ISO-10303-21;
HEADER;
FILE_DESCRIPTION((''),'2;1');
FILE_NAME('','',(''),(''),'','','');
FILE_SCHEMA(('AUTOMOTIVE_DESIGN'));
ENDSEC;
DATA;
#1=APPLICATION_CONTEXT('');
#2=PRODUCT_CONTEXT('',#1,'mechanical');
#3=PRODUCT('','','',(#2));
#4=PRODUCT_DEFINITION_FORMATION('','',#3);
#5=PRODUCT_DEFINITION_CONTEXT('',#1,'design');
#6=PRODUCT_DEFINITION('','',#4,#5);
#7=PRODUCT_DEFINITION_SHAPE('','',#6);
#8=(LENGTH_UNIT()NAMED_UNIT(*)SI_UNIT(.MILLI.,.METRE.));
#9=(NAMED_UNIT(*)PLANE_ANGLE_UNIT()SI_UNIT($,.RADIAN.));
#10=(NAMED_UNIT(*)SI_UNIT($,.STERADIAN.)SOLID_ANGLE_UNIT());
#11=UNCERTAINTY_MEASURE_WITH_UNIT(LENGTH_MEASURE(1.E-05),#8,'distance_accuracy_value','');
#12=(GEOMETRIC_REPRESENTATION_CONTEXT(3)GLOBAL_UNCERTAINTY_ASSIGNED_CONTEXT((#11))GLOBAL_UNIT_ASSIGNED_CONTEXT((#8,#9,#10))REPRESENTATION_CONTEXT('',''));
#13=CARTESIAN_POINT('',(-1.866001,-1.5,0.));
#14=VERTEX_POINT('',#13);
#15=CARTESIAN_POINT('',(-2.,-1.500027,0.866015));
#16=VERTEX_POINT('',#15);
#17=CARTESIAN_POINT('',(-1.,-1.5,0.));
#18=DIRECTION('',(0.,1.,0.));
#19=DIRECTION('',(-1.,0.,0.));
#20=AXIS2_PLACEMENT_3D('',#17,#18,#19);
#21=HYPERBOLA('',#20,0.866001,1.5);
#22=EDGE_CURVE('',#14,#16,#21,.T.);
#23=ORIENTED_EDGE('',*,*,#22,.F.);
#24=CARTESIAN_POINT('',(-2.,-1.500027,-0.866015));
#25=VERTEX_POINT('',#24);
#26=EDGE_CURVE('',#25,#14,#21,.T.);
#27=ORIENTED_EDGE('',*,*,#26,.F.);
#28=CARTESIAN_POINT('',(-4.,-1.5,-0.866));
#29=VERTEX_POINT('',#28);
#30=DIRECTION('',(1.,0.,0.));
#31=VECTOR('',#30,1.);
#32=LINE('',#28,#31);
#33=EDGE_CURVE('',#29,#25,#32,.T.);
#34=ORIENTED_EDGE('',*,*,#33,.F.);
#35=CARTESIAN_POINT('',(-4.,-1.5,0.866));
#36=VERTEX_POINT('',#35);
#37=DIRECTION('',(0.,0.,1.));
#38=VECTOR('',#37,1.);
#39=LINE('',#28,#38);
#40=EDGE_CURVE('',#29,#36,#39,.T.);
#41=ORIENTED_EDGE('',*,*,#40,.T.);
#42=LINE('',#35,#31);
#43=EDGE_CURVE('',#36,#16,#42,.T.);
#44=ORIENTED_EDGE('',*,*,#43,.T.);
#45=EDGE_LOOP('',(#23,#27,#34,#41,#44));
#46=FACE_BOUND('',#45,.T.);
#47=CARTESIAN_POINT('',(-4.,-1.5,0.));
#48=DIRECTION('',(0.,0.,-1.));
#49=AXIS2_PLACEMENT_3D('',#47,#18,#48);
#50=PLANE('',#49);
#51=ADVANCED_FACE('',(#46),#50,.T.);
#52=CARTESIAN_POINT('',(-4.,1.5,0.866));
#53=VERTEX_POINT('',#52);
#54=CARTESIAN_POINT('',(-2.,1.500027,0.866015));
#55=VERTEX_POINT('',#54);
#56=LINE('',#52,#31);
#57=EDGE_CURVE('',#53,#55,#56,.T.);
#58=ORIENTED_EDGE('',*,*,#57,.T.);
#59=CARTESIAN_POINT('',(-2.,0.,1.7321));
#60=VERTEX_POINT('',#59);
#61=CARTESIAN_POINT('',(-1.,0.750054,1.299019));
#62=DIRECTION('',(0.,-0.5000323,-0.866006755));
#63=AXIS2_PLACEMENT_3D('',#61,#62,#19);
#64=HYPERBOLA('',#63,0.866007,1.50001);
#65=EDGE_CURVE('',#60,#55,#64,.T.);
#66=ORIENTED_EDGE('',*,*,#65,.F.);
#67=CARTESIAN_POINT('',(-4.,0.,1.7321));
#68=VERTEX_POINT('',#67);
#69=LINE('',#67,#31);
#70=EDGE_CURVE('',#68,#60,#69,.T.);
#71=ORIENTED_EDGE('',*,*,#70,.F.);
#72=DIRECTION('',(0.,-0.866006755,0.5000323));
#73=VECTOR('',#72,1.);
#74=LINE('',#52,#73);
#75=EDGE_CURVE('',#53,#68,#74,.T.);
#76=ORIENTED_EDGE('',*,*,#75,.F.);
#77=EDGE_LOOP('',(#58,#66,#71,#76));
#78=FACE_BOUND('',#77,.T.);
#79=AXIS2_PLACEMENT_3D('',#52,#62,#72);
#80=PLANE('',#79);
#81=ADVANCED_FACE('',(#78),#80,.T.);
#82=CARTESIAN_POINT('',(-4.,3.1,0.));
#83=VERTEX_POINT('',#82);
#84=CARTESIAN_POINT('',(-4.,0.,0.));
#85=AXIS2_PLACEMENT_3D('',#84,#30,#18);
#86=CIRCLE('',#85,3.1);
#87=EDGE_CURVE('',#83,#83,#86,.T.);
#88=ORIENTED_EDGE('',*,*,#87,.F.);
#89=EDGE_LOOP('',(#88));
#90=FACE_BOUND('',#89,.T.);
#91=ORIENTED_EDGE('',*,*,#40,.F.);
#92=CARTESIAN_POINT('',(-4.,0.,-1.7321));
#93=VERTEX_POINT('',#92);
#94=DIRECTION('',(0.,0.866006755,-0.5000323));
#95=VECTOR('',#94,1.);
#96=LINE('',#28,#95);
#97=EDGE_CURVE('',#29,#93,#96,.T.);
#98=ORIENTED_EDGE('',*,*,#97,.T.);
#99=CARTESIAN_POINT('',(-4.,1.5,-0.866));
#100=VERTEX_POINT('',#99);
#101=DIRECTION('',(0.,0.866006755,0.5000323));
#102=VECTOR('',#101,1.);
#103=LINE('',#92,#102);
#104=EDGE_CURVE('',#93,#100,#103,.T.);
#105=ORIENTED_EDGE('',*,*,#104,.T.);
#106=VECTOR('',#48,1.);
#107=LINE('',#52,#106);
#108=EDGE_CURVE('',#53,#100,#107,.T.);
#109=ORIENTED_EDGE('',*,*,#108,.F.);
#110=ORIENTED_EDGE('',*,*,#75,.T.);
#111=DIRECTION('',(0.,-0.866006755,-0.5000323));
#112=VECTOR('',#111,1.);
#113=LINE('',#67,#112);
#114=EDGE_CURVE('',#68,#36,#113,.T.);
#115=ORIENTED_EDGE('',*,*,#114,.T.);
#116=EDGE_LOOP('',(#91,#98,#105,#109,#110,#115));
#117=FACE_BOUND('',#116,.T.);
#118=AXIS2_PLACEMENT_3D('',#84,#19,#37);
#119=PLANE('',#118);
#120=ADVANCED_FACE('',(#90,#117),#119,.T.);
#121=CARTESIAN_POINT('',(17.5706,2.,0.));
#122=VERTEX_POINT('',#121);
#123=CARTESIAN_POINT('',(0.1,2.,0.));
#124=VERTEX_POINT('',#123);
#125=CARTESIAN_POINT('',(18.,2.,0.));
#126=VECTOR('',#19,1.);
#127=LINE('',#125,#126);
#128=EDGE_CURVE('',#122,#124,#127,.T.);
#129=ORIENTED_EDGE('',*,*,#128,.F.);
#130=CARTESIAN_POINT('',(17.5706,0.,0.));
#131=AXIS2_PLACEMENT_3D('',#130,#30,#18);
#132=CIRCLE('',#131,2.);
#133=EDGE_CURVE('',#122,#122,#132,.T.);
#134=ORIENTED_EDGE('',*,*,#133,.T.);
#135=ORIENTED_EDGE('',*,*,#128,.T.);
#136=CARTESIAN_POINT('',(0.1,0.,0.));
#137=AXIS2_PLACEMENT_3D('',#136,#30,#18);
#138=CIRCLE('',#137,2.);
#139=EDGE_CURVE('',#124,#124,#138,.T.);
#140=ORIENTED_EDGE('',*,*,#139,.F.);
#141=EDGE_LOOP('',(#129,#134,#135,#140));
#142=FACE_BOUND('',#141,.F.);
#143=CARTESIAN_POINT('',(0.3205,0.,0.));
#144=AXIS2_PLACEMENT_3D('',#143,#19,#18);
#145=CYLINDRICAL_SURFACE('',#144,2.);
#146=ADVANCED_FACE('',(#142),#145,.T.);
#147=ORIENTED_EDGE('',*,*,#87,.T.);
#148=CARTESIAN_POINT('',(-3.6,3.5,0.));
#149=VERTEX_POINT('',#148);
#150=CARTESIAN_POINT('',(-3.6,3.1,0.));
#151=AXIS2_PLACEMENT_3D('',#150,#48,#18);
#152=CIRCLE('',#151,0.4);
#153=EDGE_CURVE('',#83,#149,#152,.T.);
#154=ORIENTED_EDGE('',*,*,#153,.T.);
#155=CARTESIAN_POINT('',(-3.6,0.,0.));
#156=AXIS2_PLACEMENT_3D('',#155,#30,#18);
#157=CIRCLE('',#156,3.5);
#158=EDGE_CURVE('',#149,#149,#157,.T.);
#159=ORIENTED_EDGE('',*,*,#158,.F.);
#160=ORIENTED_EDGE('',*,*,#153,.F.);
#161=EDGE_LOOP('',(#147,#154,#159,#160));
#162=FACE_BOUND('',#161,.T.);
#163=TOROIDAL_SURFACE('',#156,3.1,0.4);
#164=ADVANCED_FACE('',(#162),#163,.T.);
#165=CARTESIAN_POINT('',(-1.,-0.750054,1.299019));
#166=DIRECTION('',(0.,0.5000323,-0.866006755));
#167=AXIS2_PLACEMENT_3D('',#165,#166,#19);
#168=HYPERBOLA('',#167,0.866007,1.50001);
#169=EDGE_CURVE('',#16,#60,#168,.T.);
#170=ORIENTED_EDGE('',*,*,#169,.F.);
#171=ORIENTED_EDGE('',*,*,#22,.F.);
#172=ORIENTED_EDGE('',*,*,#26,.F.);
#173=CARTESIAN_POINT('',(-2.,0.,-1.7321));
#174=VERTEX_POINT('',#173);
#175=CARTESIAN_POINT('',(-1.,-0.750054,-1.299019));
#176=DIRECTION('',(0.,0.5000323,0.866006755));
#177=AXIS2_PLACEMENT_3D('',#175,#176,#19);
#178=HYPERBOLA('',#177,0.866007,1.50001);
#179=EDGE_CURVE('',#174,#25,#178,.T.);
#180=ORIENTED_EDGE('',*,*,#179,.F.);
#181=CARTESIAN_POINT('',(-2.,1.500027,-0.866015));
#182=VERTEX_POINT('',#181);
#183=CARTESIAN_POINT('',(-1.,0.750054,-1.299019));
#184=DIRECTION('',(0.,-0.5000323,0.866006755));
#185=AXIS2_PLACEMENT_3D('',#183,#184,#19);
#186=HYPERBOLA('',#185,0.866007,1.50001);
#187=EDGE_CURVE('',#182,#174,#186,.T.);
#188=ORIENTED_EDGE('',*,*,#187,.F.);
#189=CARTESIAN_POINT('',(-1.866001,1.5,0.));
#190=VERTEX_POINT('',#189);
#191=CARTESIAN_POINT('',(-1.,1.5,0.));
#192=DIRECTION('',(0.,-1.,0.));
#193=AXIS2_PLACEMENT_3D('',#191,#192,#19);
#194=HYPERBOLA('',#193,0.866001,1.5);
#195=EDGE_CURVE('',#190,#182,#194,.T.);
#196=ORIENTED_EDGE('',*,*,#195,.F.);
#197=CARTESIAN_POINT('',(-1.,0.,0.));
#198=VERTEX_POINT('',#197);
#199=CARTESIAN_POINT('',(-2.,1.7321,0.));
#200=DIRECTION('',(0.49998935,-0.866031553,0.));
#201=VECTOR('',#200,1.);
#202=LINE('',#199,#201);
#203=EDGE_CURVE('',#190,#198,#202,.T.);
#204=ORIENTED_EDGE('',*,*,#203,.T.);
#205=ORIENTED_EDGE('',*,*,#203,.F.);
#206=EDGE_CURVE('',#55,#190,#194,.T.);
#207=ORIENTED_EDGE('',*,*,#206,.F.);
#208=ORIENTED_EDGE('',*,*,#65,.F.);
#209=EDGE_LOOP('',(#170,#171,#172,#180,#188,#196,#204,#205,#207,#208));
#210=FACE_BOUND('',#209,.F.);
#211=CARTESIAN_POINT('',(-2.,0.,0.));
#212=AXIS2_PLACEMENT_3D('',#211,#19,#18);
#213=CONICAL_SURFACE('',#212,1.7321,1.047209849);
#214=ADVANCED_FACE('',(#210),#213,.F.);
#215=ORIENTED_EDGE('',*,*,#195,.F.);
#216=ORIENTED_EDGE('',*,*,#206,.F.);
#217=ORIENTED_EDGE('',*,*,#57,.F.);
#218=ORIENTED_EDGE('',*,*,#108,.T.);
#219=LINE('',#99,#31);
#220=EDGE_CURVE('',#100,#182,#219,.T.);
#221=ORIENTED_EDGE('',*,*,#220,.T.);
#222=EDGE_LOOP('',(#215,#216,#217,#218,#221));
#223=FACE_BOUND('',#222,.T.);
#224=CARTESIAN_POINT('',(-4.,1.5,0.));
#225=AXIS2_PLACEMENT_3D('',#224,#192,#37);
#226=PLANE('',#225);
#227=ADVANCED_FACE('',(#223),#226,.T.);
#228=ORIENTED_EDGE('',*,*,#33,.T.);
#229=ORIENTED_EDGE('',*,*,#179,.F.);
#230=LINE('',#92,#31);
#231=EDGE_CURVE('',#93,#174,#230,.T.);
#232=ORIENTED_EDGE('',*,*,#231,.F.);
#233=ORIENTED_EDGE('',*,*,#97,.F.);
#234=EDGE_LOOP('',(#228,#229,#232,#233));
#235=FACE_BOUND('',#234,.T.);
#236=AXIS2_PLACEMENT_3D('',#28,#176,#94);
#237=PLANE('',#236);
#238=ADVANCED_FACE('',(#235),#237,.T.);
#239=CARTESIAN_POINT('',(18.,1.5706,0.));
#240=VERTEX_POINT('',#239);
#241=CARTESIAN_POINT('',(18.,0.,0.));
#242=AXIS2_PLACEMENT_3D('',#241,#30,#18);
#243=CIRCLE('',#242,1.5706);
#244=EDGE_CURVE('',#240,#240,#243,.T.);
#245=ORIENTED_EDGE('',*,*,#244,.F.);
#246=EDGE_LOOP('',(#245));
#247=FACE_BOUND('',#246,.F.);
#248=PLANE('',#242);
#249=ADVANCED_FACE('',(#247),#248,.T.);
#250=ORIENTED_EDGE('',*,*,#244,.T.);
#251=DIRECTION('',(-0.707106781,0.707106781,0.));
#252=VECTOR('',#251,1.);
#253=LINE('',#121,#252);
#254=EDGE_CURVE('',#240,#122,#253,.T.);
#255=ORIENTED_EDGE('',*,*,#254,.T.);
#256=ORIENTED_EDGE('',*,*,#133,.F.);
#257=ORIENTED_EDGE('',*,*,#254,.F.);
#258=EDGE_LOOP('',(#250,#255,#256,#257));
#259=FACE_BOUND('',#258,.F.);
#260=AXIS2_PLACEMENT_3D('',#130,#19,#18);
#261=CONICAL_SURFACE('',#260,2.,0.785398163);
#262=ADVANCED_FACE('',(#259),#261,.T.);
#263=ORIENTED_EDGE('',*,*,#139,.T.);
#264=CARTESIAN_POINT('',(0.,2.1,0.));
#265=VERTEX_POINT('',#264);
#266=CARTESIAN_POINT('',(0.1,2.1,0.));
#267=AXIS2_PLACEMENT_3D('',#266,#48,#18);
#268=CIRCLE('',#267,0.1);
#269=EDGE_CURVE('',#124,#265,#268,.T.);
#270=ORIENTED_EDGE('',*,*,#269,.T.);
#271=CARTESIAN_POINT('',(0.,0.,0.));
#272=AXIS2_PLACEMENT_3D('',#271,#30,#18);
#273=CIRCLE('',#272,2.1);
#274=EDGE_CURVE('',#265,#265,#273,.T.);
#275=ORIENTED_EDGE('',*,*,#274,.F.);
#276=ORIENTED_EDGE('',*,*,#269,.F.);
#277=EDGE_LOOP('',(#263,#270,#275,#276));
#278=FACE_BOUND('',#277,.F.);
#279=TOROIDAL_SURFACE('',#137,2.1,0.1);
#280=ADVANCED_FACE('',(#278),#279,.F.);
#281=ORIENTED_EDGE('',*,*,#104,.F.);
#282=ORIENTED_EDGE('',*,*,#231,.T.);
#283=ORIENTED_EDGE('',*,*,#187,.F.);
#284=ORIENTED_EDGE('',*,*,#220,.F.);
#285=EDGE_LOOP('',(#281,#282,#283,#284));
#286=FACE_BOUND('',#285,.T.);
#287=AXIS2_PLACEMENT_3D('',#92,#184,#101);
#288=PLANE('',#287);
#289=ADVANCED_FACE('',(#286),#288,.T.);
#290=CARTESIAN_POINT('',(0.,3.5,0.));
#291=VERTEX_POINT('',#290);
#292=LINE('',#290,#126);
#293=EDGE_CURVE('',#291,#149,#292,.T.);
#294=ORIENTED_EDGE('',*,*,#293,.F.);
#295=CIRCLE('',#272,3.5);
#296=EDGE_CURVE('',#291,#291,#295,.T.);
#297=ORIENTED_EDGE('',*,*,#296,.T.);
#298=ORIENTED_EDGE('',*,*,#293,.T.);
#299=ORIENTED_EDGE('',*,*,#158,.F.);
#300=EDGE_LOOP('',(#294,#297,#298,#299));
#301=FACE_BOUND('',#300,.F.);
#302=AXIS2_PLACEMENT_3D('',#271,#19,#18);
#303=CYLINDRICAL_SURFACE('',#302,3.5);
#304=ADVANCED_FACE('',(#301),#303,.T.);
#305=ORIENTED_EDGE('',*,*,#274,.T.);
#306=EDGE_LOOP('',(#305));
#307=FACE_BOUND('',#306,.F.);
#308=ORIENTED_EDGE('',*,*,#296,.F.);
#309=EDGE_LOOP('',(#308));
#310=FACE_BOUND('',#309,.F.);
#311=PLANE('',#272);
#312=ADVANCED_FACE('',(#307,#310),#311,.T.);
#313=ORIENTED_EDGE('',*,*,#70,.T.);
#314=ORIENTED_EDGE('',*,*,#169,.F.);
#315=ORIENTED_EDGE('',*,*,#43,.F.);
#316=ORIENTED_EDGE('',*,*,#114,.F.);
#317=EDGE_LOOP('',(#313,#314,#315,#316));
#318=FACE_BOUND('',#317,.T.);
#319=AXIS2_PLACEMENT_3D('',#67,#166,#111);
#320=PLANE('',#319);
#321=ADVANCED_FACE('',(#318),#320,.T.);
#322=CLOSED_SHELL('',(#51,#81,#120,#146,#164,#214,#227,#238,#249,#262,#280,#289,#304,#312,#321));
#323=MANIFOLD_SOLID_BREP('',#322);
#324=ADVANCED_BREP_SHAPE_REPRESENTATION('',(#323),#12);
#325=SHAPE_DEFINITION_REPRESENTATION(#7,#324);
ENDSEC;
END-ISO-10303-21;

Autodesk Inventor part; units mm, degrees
ref_plane "YZ Plane" through (0, 0, 0) normal (1, 0, 0) x (0, 1, 0)
ref_plane "XZ Plane" through (0, 0, 0) normal (0, 1, 0) x (-1, 0, 0)
sketch "Rascunho1" plane through (0, 0, 0) normal (0, 0, 1) x (1, 0, 0)
  line L0 (-1, 0) -> (18, 0)
  line L1 (18, 0) -> (18, 2)
  line L2 (18, 2) -> (0.75, 2)
  line L3 (0.75, 2) -> (0.3205, 2)
  line L4 (0.3205, 2) -> (0, 2)
  line L5 (0, 2) -> (0, 3.5)
  line L6 (0, 3.5) -> (-4, 3.5)
  line L7 (-4, 3.5) -> (-4, 1.7321)
  line L8 (-4, 1.7321) -> (-2, 1.7321)
  line L9 (-2, 1.7321) -> (-1, 0)
  line L10 (-8.4, 0) -> (22.4, 0) projected
  line L11 (0, -0.7) -> (0, 4.2) projected
  line L12 (0.75, 2) -> (0, 2) construction
  dimension "d1" = 17.25
  dimension "d2" = 0.4295
  dimension "d3" = 4
  dimension "d4" = 2
  dimension "d5" = 60
  dimension "d6" = 4
  dimension "d7" = 4
  dimension "d8" = 3.4641
  dimension "d9" = 7
  dimension "d26" = 18
revolve "Corpo" add sketch "Rascunho1" angle 360 about axis through (-1, 0, 0) along (1, 0, 0)
sketch "Rascunho2" plane through (-4, 0, 0) normal (-1, 0, 0) x (0, 0, 1)
  circle A0 centre (0, 0) radius 1.7321 projected
  line L0 (0, -4.9) -> (0, 4.9) projected
  line L1 (-4.9, 0) -> (4.9, 0) projected
  line L2 (1.7321, 0) -> (0.866, -1.5)
  line L3 (0.866, -1.5) -> (-0.866, -1.5)
  line L4 (-0.866, -1.5) -> (-1.7321, 0)
  line L5 (-1.7321, 0) -> (-0.866, 1.5)
  line L6 (-0.866, 1.5) -> (0.866, 1.5)
  line L7 (0.866, 1.5) -> (1.7321, 0)
extrude "Fenda" add sketch "Rascunho2" against normal up to next contours L7 A0 | A0 L2 | L6 L0 A0 | A0 L0 L3 | L0 L6 A0 | A0 L3 L0 | L4 A0 | A0 L5
fillet "Raio de arredondamento1" radius 0.4 1 edges at (-4, -3.5, 0)
thread "Rosca" size "M4x0.7" class "6g" standard "ISO Metric profile" length 17.25
chamfer "Chanfrar1" distance 0.4294 distance2 0.4294 1 edges at (18, -2, 0) measured on face at (18, 0.527, -0.2661)
ref_plane "Work Plane1" through (29, 0, 0) normal (0, -1, 0) x (1, 0, 0)
fillet "Fillet2" radius 0.1 1 edges at (0, -2, 0)
equation "\"d1\" = GEL"
equation "\"d3\" = KOH"
equation "\"d4\" = INTI"
equation "\"d6\" = GD"
equation "\"d7\" = BDM"
equation "\"d8\" = 1.1547 * SW"
equation "\"d9\" = KOD"
equation "\"d26\" = NLG"
equation "\"d17\" = RR"
equation "\"d13\" = GEL"
equation "\"d15\" = -0.5 * SPD + 0.5 * GD"
equation "\"d16\" = GUL"
equation "\"d30\" = R"
equation "\"GD\" = NND"
equation "\"NLG\" = 18"
equation "\"GEL\" = 17.25"
equation "\"KOD\" = 7"
equation "\"KOH\" = 4"
equation "\"INTI\" = 2"
equation "\"GAL\" = 0.61345 * PTC"
equation "\"GUL\" = 0.61345 * PTC"
equation "\"BDM\" = NND"
equation "\"SW\" = 3"
equation "\"RR\" = 0.4"
equation "\"SPD\" = NND - 1.2269 * PTC"
equation "\"R\" = 0.1"
equation "\"TOA\" = 30deg"
equation "\"GD1\" = THREADDIA - 1.2269 * PTC"
equation "\"THREADDIA\" = 4"
equation "\"FAWI\" = 45deg"
equation "\"ANG\" = 120deg"
equation "\"PTC\" = 0.7"
equation "\"NND\" = 4"
equation "\"E0\" = 1.155 * SW"
properties part number "DIN 912 M4x18" material "Aço Inox AISI 304"
